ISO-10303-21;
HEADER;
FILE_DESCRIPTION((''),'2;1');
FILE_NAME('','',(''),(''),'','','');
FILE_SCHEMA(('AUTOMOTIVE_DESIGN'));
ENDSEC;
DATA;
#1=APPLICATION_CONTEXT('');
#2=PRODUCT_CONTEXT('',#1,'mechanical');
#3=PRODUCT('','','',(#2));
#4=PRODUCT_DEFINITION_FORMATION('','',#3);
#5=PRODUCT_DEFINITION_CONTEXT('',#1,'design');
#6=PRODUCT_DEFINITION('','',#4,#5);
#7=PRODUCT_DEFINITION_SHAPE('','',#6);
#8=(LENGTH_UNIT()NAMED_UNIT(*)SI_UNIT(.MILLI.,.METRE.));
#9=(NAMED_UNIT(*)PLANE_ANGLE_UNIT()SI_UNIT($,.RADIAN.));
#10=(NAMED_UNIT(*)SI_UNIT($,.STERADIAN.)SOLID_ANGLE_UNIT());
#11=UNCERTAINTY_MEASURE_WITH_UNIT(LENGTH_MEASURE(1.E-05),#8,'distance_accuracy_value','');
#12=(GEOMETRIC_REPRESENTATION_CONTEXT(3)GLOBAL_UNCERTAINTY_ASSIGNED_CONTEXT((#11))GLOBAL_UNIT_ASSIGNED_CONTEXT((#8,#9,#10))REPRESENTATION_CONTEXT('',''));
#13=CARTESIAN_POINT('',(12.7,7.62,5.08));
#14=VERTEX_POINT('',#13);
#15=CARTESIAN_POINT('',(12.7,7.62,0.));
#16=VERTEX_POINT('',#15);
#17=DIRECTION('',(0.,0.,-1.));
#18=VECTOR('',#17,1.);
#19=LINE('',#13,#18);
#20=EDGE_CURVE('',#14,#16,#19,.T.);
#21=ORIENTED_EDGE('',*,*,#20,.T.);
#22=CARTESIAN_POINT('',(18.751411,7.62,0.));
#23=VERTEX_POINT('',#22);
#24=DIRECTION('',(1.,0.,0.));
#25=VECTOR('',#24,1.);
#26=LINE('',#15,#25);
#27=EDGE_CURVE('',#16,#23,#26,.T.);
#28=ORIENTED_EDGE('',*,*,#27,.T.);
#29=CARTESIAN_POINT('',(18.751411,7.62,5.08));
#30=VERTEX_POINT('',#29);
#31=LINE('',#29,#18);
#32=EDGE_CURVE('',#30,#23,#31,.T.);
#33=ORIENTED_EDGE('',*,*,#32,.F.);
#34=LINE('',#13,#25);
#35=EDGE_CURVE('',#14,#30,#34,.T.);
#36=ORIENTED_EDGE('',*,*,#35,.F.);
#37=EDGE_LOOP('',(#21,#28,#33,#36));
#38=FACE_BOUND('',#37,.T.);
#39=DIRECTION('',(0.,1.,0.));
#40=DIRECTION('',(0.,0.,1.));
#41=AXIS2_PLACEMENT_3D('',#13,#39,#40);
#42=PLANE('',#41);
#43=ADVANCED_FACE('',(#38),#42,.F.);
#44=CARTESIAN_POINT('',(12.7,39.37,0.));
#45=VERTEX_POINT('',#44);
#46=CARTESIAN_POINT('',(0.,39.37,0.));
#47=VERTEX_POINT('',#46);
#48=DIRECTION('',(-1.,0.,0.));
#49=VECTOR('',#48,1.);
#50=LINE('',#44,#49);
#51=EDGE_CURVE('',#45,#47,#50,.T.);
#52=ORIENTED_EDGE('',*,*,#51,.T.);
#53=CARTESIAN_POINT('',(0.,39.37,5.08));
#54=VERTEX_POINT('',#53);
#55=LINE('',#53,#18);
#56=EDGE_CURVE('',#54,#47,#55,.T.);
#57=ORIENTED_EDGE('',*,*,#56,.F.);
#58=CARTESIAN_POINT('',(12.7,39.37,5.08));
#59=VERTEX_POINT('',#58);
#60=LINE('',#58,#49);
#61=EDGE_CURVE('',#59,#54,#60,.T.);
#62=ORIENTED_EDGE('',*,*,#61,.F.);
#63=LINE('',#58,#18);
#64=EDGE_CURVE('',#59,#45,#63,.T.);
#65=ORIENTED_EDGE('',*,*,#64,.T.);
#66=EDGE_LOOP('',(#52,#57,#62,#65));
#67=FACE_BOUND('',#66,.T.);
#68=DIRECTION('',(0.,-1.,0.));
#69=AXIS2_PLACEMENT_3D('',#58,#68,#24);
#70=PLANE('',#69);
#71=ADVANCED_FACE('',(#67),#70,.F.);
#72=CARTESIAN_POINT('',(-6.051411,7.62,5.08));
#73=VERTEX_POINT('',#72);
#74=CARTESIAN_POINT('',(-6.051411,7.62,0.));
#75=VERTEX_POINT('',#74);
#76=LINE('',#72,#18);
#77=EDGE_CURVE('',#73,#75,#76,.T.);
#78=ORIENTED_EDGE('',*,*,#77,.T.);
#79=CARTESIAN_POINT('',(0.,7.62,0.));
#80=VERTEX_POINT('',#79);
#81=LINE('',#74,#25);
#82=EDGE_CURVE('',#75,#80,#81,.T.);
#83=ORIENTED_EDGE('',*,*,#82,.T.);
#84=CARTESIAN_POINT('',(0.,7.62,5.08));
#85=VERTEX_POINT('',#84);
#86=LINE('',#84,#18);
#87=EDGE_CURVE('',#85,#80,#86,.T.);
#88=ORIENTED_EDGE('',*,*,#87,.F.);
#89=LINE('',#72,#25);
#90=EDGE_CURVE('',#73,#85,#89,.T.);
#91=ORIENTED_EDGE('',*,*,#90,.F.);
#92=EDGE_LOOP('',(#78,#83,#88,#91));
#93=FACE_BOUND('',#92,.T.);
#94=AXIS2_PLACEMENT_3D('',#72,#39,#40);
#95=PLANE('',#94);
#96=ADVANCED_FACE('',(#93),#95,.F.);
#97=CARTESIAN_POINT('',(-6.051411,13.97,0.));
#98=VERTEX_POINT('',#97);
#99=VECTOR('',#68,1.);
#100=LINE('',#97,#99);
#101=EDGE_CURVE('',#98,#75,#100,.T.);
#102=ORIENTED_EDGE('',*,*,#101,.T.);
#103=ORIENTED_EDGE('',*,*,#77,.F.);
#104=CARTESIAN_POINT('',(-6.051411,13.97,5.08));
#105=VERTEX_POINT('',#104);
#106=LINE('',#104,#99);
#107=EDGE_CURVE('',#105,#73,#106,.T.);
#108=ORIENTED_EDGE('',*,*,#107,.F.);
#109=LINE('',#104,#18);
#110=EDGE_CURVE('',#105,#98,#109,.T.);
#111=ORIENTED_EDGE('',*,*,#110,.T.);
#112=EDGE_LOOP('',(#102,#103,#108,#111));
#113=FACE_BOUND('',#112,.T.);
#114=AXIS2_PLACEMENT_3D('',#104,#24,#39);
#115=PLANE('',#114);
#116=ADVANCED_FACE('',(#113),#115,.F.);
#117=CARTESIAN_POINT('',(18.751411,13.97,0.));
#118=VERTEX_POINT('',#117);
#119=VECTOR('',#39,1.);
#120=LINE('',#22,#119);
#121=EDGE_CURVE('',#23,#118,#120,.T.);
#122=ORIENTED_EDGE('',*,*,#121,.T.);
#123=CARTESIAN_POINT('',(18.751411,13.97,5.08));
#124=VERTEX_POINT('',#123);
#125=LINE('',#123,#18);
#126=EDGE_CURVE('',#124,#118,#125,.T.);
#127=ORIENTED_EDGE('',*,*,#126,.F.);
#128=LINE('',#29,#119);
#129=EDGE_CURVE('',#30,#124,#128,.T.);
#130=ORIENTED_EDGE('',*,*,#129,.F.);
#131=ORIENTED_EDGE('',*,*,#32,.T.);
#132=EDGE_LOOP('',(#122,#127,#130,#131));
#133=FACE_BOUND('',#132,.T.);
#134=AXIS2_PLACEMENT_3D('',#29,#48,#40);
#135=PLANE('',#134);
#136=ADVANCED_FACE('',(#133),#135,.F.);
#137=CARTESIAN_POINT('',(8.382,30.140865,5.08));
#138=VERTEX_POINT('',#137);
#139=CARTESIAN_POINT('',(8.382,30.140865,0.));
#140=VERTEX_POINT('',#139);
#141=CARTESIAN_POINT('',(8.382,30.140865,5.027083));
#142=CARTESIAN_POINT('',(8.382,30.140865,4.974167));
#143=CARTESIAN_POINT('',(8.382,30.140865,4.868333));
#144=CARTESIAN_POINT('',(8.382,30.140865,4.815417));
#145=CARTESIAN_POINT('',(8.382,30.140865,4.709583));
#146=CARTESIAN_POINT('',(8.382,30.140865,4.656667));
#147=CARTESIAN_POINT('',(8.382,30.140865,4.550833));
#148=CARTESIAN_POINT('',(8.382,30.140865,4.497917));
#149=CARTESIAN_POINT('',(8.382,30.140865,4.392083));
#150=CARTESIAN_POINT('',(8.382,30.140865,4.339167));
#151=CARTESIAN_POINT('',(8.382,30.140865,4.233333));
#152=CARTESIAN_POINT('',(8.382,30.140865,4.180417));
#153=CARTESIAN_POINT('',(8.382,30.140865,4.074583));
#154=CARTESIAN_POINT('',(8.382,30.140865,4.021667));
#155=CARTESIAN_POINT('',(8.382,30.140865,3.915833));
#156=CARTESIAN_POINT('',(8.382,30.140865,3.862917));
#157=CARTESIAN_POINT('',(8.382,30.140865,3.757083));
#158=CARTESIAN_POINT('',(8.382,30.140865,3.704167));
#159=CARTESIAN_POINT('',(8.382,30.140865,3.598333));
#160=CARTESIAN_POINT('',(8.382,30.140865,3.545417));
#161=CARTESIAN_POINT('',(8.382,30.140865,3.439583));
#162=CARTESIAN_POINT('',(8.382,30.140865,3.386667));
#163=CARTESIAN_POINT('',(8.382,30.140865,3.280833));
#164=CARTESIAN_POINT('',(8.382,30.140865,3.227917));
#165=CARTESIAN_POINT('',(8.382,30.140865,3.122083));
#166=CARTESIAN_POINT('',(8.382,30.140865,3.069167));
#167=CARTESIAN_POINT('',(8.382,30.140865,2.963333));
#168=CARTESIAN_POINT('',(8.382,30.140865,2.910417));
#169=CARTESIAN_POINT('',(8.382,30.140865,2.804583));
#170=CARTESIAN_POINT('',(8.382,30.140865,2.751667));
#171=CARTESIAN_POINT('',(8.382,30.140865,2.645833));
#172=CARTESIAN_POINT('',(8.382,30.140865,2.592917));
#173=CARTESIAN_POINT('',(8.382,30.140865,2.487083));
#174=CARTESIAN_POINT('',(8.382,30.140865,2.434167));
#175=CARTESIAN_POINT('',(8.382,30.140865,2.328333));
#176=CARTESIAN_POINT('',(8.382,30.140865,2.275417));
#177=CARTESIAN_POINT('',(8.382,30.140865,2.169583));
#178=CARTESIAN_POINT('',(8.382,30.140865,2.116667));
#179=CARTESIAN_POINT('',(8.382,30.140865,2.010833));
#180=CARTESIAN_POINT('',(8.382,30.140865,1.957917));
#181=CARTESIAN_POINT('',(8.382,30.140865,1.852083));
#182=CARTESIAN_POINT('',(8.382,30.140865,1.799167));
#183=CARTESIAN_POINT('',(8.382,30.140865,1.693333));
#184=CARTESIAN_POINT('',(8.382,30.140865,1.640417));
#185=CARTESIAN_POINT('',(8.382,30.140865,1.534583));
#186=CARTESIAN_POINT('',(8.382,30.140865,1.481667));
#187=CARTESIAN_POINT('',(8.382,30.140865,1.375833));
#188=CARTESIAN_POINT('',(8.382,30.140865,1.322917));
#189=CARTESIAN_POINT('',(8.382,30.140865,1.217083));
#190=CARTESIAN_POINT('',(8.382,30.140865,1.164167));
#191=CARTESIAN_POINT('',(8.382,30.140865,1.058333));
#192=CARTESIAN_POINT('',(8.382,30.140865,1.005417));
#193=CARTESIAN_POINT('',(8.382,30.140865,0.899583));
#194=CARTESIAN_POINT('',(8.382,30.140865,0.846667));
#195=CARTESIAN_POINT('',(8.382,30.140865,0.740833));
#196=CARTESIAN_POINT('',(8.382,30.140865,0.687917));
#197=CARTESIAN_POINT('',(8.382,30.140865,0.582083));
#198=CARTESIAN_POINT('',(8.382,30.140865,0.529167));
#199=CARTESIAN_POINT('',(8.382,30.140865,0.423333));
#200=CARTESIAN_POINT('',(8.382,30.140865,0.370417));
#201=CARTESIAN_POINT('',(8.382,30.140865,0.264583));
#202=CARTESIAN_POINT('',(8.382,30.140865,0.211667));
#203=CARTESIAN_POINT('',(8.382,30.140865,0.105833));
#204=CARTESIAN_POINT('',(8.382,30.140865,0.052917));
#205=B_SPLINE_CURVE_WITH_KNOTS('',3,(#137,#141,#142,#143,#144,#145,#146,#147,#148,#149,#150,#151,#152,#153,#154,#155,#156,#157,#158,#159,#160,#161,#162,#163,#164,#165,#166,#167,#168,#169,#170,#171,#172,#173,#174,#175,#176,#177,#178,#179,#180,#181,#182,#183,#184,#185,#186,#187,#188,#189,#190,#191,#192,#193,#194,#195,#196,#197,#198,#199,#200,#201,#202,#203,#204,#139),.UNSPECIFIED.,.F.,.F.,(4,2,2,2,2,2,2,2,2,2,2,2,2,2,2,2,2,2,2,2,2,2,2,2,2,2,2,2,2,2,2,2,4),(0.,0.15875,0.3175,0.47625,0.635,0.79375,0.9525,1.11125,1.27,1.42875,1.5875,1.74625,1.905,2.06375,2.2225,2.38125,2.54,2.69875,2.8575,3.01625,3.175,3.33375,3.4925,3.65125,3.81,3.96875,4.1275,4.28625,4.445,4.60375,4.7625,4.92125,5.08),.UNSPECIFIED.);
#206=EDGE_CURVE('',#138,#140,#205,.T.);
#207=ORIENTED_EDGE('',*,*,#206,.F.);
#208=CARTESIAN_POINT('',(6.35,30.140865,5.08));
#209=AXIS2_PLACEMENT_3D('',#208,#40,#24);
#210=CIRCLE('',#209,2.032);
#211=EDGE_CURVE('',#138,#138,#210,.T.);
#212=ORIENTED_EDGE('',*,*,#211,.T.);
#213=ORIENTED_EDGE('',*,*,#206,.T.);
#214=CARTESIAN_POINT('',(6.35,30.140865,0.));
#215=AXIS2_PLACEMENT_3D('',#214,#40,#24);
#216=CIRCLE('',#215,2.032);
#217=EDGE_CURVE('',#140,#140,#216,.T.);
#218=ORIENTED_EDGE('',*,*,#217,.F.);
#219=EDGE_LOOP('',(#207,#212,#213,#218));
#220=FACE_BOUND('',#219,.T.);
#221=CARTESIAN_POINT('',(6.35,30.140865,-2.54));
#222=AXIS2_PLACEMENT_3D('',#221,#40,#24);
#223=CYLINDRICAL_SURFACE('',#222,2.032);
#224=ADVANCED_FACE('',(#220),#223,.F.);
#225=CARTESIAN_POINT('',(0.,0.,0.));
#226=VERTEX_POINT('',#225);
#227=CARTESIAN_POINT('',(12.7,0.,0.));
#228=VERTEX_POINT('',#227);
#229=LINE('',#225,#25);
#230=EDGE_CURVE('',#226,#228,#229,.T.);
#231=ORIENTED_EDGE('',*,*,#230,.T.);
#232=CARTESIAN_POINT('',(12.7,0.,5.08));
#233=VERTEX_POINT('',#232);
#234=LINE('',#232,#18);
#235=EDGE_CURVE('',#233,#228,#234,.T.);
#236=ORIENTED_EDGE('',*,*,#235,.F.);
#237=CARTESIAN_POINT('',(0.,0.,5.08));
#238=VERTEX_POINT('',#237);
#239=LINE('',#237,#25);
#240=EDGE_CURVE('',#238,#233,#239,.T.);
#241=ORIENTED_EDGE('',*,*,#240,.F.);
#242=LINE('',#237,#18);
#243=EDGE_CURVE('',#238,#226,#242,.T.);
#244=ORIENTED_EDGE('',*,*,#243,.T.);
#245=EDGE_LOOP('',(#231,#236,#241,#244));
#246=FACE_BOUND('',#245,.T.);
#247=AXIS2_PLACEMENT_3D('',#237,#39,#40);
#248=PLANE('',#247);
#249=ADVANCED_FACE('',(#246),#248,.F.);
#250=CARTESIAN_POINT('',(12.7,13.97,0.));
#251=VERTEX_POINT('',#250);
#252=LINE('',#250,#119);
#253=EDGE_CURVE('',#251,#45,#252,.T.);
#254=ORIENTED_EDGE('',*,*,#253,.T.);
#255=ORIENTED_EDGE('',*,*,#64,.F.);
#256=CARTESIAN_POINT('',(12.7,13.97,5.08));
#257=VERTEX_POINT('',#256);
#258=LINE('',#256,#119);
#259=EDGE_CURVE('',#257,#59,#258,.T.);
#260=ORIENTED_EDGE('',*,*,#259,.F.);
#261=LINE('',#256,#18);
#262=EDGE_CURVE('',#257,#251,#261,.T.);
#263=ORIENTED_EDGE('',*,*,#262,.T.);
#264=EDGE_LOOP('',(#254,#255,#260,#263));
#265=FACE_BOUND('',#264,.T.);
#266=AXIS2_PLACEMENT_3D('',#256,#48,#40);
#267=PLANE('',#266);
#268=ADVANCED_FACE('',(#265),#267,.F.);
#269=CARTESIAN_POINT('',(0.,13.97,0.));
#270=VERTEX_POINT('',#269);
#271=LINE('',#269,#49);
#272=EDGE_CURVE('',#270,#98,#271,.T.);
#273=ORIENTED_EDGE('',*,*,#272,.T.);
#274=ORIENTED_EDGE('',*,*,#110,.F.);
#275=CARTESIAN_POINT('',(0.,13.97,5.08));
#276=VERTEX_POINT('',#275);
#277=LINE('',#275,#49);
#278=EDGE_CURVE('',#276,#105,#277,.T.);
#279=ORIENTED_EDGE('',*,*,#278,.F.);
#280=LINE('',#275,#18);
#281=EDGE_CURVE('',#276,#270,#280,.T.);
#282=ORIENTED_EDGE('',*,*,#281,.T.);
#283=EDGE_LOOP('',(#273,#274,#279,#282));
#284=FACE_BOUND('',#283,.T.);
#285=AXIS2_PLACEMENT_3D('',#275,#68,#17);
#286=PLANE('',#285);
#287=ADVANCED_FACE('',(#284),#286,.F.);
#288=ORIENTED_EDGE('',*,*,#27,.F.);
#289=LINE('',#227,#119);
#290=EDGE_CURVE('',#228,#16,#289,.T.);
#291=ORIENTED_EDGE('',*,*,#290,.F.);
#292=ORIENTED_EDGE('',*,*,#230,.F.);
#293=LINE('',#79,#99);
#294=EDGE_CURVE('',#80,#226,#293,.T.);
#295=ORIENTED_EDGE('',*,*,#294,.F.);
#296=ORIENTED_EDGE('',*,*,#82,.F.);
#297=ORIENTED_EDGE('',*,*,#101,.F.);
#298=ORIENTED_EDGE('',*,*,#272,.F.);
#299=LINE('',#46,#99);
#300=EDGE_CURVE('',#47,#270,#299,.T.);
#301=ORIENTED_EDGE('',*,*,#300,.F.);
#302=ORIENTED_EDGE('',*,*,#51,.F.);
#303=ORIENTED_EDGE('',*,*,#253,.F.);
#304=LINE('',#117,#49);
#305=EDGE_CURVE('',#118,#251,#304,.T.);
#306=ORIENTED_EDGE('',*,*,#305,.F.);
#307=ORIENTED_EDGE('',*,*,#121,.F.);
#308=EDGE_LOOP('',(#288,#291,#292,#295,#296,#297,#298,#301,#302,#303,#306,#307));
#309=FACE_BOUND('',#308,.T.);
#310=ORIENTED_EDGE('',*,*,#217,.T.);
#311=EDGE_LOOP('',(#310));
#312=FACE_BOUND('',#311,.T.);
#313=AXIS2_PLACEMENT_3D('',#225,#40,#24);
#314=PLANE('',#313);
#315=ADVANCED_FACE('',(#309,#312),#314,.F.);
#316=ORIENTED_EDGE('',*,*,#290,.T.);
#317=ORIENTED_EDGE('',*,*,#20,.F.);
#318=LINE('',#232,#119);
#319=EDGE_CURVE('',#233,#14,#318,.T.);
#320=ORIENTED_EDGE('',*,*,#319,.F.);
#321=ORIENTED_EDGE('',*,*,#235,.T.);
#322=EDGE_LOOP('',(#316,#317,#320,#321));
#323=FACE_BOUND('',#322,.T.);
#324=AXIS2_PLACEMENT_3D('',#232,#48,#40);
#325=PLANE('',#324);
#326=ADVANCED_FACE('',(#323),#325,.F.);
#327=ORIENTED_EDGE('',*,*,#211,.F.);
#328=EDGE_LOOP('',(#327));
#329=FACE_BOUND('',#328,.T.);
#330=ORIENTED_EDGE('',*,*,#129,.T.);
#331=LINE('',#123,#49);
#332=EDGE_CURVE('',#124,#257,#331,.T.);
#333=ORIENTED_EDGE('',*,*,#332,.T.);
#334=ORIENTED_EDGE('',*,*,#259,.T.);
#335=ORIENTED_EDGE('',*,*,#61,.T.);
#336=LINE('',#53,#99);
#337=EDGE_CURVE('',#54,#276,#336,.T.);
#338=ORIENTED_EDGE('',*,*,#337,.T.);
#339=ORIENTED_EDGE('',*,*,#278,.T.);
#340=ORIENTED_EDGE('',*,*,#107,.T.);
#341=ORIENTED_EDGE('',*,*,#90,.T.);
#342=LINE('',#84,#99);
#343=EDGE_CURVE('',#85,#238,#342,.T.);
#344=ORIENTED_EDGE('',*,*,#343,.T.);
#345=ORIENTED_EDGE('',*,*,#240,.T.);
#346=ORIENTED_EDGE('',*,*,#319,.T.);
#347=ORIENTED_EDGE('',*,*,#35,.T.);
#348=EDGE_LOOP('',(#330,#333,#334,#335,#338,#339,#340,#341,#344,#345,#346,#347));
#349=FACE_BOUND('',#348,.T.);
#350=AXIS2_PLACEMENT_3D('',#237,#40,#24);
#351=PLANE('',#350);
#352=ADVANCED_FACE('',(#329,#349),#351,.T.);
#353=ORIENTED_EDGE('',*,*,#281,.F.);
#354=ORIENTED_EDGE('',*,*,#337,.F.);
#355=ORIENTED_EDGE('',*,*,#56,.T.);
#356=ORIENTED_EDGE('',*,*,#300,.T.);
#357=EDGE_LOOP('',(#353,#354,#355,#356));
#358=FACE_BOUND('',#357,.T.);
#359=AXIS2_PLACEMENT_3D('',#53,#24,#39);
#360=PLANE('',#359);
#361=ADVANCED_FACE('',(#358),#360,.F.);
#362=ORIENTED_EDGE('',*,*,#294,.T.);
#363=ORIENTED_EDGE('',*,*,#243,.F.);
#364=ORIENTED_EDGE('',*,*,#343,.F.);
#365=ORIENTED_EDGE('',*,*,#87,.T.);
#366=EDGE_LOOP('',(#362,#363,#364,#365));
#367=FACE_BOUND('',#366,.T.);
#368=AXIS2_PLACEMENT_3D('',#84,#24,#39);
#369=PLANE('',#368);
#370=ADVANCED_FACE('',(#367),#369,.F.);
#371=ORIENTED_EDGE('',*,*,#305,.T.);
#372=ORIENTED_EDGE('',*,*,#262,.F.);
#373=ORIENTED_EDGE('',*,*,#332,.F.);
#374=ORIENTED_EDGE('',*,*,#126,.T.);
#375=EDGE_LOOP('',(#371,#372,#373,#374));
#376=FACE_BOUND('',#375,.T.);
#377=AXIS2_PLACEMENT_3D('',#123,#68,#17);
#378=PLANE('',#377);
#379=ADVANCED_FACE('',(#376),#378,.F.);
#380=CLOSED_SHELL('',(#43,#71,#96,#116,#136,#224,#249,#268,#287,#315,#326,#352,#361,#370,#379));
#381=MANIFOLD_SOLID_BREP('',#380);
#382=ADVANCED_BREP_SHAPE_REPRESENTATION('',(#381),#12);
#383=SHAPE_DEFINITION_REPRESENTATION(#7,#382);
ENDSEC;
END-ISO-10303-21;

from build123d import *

# Parameters (mm, degrees)
BOSS_EXTRUDE1_DEPTH = 5.08
SKETCH2_R           = 2.032
CUT_EXTRUDE1_DEPTH  = 7.62


with BuildPart() as part:
    # Sketch1 → Boss-Extrude1 (new body)
    with BuildSketch(Plane.XY):
        Polygon((0, 0), (12.7, 0), (12.7, 7.62), (18.751410658, 7.62), (18.751410658, 13.97), (12.7, 13.97), (12.7, 39.37), (0, 39.37), (0, 13.97), (-6.051410658, 13.97), (-6.051410658, 7.62), (0, 7.62), align=None)
    extrude(amount=BOSS_EXTRUDE1_DEPTH)

    # Sketch2 → Cut-Extrude1 (cut)
    with BuildSketch(Plane.XY.offset(5.08)):
        with Locations((6.35, 30.140865425)):
            Circle(SKETCH2_R)
    extrude(amount=-CUT_EXTRUDE1_DEPTH, mode=Mode.SUBTRACT)


solid = part.part
